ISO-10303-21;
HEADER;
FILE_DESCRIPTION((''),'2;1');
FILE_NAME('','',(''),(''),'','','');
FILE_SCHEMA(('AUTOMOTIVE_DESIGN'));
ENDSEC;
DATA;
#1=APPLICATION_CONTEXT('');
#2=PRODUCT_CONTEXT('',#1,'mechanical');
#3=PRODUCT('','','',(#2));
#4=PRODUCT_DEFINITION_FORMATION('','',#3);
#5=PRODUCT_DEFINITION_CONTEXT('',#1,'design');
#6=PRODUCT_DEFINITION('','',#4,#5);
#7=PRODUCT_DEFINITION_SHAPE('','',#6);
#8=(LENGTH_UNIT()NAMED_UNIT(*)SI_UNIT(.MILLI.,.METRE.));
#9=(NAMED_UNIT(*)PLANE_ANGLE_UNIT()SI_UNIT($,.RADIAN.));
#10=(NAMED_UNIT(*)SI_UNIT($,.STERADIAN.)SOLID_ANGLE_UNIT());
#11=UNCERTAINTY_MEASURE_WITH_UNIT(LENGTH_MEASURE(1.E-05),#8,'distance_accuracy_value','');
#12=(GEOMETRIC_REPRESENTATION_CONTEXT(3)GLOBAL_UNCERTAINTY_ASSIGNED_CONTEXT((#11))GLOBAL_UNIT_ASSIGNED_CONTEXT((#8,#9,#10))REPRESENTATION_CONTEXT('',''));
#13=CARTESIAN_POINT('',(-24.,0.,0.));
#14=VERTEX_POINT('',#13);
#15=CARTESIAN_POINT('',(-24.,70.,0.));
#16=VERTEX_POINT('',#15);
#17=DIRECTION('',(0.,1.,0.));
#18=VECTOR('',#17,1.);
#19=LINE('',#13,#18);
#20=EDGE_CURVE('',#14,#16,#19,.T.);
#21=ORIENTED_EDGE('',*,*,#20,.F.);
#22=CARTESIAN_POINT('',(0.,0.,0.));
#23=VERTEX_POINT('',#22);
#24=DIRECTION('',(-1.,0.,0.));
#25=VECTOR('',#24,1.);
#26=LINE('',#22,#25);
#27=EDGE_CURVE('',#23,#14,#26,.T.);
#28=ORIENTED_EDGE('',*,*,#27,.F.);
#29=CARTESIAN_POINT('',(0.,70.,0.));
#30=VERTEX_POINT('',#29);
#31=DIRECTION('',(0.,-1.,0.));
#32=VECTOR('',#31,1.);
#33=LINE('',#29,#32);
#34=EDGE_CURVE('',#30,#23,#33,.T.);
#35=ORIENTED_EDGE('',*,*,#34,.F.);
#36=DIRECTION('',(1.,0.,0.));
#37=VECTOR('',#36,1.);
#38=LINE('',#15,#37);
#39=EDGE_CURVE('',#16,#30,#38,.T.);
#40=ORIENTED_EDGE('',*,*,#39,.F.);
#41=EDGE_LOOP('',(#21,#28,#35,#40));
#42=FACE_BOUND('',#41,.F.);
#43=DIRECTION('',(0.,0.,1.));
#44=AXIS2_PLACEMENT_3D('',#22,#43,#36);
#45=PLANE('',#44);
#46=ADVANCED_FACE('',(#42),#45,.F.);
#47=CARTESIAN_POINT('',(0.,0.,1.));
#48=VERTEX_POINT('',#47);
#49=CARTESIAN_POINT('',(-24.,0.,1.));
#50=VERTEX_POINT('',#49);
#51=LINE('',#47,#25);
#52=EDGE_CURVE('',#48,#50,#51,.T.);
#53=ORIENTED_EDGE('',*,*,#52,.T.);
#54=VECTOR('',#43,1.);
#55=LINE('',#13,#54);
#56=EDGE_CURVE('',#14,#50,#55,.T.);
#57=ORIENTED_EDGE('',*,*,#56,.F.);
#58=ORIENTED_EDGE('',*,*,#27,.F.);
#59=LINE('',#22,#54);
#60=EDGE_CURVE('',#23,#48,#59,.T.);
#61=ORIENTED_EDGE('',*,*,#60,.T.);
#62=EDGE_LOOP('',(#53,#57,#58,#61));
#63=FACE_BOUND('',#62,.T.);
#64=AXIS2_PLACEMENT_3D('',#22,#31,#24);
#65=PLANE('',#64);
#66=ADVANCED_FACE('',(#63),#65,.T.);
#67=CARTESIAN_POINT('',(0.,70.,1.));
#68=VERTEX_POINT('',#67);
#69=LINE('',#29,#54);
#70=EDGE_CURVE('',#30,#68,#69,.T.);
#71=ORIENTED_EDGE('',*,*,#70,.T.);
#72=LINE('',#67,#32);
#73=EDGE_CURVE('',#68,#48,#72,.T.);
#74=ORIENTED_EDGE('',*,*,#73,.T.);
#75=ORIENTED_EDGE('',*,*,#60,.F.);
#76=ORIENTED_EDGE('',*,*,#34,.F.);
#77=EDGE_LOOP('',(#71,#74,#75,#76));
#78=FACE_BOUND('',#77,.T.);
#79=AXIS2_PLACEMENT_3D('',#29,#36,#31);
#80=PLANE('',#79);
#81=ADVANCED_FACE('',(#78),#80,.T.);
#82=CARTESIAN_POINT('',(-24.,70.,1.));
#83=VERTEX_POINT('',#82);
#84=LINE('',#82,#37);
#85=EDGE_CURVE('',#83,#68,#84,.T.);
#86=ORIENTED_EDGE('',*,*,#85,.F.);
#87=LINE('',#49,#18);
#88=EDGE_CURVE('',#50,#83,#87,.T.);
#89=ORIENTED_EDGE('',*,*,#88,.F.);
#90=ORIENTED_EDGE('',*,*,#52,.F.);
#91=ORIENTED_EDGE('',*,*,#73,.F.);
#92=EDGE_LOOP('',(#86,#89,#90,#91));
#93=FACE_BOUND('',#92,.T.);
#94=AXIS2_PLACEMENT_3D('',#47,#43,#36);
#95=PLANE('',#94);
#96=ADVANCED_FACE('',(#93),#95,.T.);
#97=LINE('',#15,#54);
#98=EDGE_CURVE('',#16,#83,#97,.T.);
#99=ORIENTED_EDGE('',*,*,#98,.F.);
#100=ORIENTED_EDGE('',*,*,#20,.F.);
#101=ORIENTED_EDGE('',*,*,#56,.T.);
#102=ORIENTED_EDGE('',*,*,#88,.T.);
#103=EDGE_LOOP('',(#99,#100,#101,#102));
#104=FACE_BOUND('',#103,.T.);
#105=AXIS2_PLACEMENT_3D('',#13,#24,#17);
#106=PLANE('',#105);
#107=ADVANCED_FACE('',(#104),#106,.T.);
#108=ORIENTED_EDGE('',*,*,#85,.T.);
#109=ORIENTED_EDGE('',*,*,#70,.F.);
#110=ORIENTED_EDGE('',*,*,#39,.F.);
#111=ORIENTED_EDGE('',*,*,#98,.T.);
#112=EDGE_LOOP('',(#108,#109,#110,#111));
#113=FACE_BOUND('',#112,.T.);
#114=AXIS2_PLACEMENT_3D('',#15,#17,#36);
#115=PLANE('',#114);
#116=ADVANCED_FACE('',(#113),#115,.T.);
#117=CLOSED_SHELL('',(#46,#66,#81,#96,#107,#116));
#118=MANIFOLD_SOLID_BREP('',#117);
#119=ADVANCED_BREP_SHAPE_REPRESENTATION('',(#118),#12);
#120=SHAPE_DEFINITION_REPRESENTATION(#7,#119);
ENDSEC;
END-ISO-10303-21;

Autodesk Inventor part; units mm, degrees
ref_plane "YZ Plane" through (0, 0, 0) normal (1, 0, 0) x (0, 1, 0)
ref_plane "XZ Plane" through (0, 0, 0) normal (0, 1, 0) x (-1, 0, 0)
ref_plane "XY Plane" through (0, 0, 0) normal (0, 0, 1) x (1, 0, 0)
sketch "Sketch1" plane through (0, 0, 0) normal (0, 0, 1) x (1, 0, 0)
  line L0 (0, 0) -> (-24, 0)
  line L1 (-24, 0) -> (-24, 70)
  line L2 (-24, 70) -> (0, 70)
  line L3 (0, 70) -> (0, 0)
  dimension "d0" = 24
  dimension "d1" = 70
extrude "Extrusion1" add sketch "Sketch1" along normal blind 1
properties part number "00_microscope_slide"
